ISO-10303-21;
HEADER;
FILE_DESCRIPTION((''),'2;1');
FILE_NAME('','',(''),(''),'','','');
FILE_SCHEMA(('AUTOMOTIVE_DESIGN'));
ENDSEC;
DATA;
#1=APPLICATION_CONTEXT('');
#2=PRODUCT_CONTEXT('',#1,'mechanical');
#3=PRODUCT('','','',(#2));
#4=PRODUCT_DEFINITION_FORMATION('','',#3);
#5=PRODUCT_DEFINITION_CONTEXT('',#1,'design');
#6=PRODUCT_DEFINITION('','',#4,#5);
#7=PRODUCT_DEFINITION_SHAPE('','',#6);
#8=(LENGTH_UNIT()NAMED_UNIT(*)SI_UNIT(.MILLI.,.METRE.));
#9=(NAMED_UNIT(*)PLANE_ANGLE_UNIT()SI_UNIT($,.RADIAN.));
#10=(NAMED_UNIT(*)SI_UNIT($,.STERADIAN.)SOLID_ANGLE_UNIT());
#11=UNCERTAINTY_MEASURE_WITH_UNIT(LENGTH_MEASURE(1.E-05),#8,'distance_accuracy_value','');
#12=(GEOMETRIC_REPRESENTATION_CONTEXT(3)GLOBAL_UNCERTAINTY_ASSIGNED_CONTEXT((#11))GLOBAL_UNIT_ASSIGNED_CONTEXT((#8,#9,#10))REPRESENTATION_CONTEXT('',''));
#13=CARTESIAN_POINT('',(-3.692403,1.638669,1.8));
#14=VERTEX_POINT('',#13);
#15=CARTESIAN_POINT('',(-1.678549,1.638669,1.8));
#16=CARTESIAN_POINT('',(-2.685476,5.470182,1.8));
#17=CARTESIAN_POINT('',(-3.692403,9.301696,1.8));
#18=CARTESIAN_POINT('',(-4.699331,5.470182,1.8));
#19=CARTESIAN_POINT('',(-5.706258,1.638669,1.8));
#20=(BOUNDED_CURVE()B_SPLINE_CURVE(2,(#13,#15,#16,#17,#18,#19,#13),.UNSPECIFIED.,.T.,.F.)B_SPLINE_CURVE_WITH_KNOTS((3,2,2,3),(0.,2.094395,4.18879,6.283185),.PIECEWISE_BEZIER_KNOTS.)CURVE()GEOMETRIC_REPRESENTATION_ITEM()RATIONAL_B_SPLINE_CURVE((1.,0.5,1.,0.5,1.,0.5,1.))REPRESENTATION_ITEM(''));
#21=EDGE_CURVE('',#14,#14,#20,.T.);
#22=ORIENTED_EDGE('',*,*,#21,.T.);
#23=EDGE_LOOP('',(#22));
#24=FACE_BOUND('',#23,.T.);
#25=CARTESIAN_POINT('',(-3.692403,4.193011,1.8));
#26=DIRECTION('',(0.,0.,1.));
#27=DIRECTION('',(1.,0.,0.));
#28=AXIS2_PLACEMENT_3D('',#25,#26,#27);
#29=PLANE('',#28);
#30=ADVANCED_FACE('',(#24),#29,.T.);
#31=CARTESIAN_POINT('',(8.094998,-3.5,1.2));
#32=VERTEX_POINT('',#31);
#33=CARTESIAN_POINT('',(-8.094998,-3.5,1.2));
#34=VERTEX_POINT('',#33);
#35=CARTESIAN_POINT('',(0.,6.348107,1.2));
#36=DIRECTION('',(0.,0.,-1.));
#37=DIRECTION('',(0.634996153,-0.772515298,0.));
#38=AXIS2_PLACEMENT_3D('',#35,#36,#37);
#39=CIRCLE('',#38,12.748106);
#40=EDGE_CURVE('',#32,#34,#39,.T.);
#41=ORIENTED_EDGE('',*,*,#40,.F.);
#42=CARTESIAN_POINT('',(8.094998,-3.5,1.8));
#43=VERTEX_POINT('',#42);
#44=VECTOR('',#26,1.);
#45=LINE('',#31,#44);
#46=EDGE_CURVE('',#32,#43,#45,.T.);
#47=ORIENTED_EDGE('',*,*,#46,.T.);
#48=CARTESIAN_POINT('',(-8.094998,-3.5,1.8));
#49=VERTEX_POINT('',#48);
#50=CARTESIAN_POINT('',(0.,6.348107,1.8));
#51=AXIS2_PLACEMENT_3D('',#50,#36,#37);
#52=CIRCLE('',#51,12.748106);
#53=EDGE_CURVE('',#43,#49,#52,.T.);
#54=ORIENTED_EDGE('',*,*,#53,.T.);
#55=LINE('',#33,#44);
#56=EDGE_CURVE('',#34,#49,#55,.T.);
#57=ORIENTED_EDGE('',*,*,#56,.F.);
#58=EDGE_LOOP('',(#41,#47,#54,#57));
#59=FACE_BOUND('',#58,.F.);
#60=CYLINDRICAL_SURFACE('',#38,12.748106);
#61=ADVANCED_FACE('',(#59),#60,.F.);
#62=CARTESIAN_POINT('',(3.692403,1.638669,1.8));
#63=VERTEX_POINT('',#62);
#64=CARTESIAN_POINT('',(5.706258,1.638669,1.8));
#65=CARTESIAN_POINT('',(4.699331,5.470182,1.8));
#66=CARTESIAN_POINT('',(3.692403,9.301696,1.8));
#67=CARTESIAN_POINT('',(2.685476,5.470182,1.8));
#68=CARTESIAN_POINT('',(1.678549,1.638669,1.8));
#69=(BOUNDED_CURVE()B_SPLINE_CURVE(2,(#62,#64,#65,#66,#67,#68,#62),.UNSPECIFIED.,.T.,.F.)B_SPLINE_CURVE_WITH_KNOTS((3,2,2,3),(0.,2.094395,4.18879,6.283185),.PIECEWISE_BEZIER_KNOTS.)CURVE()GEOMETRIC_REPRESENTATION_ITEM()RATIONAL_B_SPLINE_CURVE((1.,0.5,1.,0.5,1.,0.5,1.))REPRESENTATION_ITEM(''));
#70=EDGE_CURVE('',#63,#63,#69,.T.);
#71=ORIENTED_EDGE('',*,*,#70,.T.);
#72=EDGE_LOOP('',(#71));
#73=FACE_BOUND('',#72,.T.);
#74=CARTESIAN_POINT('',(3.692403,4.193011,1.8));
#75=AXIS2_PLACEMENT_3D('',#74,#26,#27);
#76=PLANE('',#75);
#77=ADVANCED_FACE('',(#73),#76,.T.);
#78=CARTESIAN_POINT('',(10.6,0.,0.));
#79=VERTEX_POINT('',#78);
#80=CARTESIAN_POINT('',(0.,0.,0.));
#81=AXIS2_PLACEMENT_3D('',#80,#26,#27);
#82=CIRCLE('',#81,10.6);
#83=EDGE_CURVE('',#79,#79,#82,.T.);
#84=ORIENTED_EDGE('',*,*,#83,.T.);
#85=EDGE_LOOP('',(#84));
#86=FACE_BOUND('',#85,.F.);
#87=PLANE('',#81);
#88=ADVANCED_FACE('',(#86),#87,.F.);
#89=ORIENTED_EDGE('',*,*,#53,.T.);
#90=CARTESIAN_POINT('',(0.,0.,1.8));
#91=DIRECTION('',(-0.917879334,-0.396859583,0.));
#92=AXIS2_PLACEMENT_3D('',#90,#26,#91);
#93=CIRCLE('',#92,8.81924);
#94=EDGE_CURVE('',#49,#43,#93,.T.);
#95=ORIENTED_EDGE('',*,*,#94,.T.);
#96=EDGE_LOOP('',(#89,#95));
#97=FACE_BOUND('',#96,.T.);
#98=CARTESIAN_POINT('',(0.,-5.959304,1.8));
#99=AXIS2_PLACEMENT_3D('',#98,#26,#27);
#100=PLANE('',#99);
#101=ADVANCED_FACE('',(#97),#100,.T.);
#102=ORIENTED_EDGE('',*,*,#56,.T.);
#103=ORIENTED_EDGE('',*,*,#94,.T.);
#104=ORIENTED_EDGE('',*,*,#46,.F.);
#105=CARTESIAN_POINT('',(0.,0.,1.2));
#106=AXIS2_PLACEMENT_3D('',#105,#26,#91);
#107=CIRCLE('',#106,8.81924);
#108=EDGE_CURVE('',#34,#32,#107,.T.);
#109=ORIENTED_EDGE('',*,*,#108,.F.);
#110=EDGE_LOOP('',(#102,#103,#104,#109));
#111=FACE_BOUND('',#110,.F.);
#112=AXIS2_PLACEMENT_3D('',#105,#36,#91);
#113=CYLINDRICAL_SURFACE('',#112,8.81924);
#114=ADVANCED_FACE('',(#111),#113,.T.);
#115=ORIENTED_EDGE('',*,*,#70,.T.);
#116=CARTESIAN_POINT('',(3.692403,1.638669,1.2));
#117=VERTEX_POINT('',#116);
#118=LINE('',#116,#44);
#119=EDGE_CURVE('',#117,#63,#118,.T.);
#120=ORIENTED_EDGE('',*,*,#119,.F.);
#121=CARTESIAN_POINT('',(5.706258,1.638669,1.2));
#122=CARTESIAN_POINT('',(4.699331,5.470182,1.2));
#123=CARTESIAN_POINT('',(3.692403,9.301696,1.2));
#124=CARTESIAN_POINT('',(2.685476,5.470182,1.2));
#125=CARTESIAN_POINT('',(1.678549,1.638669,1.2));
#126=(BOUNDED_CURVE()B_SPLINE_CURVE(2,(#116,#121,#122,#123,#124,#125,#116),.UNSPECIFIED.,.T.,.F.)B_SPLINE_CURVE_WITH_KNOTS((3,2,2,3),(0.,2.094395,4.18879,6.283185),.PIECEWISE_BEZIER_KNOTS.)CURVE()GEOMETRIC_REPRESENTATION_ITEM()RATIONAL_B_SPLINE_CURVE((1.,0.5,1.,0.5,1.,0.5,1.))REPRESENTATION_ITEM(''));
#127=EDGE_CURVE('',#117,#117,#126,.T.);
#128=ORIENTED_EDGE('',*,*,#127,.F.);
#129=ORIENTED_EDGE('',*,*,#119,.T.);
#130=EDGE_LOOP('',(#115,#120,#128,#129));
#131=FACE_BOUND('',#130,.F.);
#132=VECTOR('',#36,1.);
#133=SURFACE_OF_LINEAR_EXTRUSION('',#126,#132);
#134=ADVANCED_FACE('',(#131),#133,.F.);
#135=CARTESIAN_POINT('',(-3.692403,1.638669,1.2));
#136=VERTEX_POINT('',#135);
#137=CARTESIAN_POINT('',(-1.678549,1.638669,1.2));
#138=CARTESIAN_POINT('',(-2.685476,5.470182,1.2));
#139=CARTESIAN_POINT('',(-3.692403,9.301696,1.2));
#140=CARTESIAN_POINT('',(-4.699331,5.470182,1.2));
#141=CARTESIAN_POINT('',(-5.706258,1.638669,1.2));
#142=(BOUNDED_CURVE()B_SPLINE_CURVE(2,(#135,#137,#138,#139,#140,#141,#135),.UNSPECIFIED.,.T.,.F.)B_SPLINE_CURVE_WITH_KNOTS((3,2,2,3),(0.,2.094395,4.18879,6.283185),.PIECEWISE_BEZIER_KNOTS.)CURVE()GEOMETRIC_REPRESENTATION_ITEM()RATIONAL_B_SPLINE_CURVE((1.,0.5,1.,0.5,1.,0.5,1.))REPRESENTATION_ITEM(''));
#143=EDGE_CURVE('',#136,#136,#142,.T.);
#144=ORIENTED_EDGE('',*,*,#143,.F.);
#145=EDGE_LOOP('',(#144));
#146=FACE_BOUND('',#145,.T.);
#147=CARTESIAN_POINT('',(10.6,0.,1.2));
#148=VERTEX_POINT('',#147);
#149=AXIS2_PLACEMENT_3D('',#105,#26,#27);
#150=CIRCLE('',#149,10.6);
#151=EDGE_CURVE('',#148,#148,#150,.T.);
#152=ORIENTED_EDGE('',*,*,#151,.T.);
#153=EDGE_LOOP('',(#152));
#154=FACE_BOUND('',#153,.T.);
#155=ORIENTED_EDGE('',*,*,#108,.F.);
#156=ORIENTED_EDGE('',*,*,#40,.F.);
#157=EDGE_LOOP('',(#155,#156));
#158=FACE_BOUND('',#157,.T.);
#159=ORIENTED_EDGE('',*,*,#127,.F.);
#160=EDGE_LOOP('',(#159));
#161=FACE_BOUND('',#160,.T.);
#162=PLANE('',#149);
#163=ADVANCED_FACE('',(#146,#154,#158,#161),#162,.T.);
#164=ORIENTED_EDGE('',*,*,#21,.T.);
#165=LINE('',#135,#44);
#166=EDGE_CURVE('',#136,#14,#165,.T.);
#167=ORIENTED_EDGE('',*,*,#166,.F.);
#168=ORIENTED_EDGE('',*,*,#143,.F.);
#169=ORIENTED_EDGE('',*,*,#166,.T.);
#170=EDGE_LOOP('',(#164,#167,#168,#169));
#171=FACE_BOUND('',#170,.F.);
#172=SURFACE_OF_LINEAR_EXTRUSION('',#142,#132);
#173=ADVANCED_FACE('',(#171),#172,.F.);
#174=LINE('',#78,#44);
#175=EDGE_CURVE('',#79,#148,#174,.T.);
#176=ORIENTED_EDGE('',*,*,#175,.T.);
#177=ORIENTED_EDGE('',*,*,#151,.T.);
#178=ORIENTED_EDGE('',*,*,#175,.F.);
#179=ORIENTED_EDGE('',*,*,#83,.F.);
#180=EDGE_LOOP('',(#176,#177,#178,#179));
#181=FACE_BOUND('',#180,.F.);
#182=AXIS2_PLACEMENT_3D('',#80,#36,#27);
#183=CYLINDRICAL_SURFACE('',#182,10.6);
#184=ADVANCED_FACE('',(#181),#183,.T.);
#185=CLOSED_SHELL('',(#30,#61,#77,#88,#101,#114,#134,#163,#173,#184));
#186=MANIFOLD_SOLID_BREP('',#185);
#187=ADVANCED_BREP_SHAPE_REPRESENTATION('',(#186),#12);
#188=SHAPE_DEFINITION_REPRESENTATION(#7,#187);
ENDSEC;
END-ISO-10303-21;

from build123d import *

# Parameters (mm, degrees)
F0_R     = 10.6
F1_DEPTH = 1.2
F3_DEPTH = 0.6


with BuildPart() as f1:
    # F0 (on Top) → F1 (new body)
    with BuildSketch(Plane.XY):
        Circle(F0_R)
    extrude(amount=F1_DEPTH)

    # F2 (on face) → F3 (join)
    with BuildSketch(Plane.XY.offset(1.2)):
        with BuildLine():
            ThreePointArc((-8.094998, -3.5), (0, -8.81924), (8.094998, -3.5))
            ThreePointArc((8.094998, -3.5), (0, -6.399999), (-8.094998, -3.5))
        make_face()
        with BuildLine():
            add(Edge.make_bspline(
                [(-3.692403, 1.638669), (-1.678549, 1.638669), (-2.685476, 5.470182), (-3.692403, 9.301696), (-4.699331, 5.470182), (-5.706258, 1.638669), (-3.692403, 1.638669)],
                knots=[0, 0, 0, 2.094395, 2.094395, 4.18879, 4.18879, 6.283185, 6.283185, 6.283185], degree=2, weights=[1, 0.5, 1, 0.5, 1, 0.5, 1]))
        make_face()
        with BuildLine():
            add(Edge.make_bspline(
                [(3.692403, 1.638669), (5.706258, 1.638669), (4.699331, 5.470182), (3.692403, 9.301696), (2.685476, 5.470182), (1.678549, 1.638669), (3.692403, 1.638669)],
                knots=[0, 0, 0, 2.094395, 2.094395, 4.18879, 4.18879, 6.283185, 6.283185, 6.283185], degree=2, weights=[1, 0.5, 1, 0.5, 1, 0.5, 1]))
        make_face()
    extrude(amount=F3_DEPTH)


solid = f1.part
